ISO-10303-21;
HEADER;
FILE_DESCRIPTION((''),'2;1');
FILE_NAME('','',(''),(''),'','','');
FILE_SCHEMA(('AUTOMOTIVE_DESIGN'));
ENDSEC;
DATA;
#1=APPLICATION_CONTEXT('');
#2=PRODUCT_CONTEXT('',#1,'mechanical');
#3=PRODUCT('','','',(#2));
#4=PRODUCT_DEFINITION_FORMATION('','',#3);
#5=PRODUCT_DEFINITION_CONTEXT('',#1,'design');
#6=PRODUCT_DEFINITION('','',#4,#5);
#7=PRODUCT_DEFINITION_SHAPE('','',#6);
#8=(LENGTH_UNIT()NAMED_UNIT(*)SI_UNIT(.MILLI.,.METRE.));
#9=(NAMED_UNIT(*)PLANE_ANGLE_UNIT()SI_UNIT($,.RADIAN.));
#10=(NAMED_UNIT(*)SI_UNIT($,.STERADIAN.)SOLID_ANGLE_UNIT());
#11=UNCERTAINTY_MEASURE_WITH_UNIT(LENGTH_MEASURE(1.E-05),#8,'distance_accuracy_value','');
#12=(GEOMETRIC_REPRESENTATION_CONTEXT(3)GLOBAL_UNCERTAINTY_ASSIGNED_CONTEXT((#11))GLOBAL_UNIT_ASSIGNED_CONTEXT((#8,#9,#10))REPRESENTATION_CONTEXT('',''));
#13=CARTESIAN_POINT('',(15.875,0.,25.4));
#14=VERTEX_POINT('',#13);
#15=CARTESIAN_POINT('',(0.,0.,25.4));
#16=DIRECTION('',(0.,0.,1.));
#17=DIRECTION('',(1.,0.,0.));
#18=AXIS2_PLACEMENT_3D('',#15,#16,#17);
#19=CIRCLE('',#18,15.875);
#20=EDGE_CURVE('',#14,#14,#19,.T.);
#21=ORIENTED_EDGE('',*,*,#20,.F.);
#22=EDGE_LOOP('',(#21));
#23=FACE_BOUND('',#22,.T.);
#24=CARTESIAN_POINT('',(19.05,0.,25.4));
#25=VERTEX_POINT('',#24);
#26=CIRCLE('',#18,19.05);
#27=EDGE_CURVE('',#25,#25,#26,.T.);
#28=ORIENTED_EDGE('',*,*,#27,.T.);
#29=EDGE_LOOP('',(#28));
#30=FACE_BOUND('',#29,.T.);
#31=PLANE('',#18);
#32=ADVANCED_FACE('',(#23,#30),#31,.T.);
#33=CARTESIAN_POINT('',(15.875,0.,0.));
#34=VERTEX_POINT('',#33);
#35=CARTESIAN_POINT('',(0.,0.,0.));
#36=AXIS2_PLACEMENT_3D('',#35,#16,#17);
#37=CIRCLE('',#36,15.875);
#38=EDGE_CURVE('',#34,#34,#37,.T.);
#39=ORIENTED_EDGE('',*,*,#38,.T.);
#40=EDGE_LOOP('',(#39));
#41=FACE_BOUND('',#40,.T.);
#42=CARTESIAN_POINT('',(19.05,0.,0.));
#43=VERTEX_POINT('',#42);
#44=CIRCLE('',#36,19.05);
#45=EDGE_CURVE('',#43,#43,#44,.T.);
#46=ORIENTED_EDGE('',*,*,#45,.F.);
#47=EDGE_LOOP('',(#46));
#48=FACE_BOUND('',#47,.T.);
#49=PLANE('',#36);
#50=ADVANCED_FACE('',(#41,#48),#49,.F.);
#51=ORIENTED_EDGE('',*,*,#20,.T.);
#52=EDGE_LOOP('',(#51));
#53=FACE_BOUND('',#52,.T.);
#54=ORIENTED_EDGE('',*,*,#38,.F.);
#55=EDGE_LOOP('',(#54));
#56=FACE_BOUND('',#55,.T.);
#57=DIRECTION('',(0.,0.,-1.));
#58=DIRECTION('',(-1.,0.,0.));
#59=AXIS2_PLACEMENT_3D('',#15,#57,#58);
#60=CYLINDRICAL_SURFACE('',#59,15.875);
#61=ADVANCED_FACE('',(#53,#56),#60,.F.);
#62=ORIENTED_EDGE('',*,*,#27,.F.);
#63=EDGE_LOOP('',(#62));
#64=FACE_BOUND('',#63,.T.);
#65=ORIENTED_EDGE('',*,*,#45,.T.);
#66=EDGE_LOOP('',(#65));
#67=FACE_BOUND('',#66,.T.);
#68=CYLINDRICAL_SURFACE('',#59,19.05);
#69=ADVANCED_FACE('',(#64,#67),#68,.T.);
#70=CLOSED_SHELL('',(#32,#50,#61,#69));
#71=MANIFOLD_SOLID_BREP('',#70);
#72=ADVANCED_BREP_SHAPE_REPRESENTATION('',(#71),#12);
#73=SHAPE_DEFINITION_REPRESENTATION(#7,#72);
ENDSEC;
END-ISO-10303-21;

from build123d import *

# Parameters (mm, degrees)
SKETCH1_R     = 19.05
SKETCH1_R_2   = 15.875
HOUSING_DEPTH = 25.4


with BuildPart() as part:
    # Sketch1 → Housing (new body)
    with BuildSketch(Plane.XY):
        Circle(SKETCH1_R)
        Circle(SKETCH1_R_2, mode=Mode.SUBTRACT)
    extrude(amount=HOUSING_DEPTH)


solid = part.part
